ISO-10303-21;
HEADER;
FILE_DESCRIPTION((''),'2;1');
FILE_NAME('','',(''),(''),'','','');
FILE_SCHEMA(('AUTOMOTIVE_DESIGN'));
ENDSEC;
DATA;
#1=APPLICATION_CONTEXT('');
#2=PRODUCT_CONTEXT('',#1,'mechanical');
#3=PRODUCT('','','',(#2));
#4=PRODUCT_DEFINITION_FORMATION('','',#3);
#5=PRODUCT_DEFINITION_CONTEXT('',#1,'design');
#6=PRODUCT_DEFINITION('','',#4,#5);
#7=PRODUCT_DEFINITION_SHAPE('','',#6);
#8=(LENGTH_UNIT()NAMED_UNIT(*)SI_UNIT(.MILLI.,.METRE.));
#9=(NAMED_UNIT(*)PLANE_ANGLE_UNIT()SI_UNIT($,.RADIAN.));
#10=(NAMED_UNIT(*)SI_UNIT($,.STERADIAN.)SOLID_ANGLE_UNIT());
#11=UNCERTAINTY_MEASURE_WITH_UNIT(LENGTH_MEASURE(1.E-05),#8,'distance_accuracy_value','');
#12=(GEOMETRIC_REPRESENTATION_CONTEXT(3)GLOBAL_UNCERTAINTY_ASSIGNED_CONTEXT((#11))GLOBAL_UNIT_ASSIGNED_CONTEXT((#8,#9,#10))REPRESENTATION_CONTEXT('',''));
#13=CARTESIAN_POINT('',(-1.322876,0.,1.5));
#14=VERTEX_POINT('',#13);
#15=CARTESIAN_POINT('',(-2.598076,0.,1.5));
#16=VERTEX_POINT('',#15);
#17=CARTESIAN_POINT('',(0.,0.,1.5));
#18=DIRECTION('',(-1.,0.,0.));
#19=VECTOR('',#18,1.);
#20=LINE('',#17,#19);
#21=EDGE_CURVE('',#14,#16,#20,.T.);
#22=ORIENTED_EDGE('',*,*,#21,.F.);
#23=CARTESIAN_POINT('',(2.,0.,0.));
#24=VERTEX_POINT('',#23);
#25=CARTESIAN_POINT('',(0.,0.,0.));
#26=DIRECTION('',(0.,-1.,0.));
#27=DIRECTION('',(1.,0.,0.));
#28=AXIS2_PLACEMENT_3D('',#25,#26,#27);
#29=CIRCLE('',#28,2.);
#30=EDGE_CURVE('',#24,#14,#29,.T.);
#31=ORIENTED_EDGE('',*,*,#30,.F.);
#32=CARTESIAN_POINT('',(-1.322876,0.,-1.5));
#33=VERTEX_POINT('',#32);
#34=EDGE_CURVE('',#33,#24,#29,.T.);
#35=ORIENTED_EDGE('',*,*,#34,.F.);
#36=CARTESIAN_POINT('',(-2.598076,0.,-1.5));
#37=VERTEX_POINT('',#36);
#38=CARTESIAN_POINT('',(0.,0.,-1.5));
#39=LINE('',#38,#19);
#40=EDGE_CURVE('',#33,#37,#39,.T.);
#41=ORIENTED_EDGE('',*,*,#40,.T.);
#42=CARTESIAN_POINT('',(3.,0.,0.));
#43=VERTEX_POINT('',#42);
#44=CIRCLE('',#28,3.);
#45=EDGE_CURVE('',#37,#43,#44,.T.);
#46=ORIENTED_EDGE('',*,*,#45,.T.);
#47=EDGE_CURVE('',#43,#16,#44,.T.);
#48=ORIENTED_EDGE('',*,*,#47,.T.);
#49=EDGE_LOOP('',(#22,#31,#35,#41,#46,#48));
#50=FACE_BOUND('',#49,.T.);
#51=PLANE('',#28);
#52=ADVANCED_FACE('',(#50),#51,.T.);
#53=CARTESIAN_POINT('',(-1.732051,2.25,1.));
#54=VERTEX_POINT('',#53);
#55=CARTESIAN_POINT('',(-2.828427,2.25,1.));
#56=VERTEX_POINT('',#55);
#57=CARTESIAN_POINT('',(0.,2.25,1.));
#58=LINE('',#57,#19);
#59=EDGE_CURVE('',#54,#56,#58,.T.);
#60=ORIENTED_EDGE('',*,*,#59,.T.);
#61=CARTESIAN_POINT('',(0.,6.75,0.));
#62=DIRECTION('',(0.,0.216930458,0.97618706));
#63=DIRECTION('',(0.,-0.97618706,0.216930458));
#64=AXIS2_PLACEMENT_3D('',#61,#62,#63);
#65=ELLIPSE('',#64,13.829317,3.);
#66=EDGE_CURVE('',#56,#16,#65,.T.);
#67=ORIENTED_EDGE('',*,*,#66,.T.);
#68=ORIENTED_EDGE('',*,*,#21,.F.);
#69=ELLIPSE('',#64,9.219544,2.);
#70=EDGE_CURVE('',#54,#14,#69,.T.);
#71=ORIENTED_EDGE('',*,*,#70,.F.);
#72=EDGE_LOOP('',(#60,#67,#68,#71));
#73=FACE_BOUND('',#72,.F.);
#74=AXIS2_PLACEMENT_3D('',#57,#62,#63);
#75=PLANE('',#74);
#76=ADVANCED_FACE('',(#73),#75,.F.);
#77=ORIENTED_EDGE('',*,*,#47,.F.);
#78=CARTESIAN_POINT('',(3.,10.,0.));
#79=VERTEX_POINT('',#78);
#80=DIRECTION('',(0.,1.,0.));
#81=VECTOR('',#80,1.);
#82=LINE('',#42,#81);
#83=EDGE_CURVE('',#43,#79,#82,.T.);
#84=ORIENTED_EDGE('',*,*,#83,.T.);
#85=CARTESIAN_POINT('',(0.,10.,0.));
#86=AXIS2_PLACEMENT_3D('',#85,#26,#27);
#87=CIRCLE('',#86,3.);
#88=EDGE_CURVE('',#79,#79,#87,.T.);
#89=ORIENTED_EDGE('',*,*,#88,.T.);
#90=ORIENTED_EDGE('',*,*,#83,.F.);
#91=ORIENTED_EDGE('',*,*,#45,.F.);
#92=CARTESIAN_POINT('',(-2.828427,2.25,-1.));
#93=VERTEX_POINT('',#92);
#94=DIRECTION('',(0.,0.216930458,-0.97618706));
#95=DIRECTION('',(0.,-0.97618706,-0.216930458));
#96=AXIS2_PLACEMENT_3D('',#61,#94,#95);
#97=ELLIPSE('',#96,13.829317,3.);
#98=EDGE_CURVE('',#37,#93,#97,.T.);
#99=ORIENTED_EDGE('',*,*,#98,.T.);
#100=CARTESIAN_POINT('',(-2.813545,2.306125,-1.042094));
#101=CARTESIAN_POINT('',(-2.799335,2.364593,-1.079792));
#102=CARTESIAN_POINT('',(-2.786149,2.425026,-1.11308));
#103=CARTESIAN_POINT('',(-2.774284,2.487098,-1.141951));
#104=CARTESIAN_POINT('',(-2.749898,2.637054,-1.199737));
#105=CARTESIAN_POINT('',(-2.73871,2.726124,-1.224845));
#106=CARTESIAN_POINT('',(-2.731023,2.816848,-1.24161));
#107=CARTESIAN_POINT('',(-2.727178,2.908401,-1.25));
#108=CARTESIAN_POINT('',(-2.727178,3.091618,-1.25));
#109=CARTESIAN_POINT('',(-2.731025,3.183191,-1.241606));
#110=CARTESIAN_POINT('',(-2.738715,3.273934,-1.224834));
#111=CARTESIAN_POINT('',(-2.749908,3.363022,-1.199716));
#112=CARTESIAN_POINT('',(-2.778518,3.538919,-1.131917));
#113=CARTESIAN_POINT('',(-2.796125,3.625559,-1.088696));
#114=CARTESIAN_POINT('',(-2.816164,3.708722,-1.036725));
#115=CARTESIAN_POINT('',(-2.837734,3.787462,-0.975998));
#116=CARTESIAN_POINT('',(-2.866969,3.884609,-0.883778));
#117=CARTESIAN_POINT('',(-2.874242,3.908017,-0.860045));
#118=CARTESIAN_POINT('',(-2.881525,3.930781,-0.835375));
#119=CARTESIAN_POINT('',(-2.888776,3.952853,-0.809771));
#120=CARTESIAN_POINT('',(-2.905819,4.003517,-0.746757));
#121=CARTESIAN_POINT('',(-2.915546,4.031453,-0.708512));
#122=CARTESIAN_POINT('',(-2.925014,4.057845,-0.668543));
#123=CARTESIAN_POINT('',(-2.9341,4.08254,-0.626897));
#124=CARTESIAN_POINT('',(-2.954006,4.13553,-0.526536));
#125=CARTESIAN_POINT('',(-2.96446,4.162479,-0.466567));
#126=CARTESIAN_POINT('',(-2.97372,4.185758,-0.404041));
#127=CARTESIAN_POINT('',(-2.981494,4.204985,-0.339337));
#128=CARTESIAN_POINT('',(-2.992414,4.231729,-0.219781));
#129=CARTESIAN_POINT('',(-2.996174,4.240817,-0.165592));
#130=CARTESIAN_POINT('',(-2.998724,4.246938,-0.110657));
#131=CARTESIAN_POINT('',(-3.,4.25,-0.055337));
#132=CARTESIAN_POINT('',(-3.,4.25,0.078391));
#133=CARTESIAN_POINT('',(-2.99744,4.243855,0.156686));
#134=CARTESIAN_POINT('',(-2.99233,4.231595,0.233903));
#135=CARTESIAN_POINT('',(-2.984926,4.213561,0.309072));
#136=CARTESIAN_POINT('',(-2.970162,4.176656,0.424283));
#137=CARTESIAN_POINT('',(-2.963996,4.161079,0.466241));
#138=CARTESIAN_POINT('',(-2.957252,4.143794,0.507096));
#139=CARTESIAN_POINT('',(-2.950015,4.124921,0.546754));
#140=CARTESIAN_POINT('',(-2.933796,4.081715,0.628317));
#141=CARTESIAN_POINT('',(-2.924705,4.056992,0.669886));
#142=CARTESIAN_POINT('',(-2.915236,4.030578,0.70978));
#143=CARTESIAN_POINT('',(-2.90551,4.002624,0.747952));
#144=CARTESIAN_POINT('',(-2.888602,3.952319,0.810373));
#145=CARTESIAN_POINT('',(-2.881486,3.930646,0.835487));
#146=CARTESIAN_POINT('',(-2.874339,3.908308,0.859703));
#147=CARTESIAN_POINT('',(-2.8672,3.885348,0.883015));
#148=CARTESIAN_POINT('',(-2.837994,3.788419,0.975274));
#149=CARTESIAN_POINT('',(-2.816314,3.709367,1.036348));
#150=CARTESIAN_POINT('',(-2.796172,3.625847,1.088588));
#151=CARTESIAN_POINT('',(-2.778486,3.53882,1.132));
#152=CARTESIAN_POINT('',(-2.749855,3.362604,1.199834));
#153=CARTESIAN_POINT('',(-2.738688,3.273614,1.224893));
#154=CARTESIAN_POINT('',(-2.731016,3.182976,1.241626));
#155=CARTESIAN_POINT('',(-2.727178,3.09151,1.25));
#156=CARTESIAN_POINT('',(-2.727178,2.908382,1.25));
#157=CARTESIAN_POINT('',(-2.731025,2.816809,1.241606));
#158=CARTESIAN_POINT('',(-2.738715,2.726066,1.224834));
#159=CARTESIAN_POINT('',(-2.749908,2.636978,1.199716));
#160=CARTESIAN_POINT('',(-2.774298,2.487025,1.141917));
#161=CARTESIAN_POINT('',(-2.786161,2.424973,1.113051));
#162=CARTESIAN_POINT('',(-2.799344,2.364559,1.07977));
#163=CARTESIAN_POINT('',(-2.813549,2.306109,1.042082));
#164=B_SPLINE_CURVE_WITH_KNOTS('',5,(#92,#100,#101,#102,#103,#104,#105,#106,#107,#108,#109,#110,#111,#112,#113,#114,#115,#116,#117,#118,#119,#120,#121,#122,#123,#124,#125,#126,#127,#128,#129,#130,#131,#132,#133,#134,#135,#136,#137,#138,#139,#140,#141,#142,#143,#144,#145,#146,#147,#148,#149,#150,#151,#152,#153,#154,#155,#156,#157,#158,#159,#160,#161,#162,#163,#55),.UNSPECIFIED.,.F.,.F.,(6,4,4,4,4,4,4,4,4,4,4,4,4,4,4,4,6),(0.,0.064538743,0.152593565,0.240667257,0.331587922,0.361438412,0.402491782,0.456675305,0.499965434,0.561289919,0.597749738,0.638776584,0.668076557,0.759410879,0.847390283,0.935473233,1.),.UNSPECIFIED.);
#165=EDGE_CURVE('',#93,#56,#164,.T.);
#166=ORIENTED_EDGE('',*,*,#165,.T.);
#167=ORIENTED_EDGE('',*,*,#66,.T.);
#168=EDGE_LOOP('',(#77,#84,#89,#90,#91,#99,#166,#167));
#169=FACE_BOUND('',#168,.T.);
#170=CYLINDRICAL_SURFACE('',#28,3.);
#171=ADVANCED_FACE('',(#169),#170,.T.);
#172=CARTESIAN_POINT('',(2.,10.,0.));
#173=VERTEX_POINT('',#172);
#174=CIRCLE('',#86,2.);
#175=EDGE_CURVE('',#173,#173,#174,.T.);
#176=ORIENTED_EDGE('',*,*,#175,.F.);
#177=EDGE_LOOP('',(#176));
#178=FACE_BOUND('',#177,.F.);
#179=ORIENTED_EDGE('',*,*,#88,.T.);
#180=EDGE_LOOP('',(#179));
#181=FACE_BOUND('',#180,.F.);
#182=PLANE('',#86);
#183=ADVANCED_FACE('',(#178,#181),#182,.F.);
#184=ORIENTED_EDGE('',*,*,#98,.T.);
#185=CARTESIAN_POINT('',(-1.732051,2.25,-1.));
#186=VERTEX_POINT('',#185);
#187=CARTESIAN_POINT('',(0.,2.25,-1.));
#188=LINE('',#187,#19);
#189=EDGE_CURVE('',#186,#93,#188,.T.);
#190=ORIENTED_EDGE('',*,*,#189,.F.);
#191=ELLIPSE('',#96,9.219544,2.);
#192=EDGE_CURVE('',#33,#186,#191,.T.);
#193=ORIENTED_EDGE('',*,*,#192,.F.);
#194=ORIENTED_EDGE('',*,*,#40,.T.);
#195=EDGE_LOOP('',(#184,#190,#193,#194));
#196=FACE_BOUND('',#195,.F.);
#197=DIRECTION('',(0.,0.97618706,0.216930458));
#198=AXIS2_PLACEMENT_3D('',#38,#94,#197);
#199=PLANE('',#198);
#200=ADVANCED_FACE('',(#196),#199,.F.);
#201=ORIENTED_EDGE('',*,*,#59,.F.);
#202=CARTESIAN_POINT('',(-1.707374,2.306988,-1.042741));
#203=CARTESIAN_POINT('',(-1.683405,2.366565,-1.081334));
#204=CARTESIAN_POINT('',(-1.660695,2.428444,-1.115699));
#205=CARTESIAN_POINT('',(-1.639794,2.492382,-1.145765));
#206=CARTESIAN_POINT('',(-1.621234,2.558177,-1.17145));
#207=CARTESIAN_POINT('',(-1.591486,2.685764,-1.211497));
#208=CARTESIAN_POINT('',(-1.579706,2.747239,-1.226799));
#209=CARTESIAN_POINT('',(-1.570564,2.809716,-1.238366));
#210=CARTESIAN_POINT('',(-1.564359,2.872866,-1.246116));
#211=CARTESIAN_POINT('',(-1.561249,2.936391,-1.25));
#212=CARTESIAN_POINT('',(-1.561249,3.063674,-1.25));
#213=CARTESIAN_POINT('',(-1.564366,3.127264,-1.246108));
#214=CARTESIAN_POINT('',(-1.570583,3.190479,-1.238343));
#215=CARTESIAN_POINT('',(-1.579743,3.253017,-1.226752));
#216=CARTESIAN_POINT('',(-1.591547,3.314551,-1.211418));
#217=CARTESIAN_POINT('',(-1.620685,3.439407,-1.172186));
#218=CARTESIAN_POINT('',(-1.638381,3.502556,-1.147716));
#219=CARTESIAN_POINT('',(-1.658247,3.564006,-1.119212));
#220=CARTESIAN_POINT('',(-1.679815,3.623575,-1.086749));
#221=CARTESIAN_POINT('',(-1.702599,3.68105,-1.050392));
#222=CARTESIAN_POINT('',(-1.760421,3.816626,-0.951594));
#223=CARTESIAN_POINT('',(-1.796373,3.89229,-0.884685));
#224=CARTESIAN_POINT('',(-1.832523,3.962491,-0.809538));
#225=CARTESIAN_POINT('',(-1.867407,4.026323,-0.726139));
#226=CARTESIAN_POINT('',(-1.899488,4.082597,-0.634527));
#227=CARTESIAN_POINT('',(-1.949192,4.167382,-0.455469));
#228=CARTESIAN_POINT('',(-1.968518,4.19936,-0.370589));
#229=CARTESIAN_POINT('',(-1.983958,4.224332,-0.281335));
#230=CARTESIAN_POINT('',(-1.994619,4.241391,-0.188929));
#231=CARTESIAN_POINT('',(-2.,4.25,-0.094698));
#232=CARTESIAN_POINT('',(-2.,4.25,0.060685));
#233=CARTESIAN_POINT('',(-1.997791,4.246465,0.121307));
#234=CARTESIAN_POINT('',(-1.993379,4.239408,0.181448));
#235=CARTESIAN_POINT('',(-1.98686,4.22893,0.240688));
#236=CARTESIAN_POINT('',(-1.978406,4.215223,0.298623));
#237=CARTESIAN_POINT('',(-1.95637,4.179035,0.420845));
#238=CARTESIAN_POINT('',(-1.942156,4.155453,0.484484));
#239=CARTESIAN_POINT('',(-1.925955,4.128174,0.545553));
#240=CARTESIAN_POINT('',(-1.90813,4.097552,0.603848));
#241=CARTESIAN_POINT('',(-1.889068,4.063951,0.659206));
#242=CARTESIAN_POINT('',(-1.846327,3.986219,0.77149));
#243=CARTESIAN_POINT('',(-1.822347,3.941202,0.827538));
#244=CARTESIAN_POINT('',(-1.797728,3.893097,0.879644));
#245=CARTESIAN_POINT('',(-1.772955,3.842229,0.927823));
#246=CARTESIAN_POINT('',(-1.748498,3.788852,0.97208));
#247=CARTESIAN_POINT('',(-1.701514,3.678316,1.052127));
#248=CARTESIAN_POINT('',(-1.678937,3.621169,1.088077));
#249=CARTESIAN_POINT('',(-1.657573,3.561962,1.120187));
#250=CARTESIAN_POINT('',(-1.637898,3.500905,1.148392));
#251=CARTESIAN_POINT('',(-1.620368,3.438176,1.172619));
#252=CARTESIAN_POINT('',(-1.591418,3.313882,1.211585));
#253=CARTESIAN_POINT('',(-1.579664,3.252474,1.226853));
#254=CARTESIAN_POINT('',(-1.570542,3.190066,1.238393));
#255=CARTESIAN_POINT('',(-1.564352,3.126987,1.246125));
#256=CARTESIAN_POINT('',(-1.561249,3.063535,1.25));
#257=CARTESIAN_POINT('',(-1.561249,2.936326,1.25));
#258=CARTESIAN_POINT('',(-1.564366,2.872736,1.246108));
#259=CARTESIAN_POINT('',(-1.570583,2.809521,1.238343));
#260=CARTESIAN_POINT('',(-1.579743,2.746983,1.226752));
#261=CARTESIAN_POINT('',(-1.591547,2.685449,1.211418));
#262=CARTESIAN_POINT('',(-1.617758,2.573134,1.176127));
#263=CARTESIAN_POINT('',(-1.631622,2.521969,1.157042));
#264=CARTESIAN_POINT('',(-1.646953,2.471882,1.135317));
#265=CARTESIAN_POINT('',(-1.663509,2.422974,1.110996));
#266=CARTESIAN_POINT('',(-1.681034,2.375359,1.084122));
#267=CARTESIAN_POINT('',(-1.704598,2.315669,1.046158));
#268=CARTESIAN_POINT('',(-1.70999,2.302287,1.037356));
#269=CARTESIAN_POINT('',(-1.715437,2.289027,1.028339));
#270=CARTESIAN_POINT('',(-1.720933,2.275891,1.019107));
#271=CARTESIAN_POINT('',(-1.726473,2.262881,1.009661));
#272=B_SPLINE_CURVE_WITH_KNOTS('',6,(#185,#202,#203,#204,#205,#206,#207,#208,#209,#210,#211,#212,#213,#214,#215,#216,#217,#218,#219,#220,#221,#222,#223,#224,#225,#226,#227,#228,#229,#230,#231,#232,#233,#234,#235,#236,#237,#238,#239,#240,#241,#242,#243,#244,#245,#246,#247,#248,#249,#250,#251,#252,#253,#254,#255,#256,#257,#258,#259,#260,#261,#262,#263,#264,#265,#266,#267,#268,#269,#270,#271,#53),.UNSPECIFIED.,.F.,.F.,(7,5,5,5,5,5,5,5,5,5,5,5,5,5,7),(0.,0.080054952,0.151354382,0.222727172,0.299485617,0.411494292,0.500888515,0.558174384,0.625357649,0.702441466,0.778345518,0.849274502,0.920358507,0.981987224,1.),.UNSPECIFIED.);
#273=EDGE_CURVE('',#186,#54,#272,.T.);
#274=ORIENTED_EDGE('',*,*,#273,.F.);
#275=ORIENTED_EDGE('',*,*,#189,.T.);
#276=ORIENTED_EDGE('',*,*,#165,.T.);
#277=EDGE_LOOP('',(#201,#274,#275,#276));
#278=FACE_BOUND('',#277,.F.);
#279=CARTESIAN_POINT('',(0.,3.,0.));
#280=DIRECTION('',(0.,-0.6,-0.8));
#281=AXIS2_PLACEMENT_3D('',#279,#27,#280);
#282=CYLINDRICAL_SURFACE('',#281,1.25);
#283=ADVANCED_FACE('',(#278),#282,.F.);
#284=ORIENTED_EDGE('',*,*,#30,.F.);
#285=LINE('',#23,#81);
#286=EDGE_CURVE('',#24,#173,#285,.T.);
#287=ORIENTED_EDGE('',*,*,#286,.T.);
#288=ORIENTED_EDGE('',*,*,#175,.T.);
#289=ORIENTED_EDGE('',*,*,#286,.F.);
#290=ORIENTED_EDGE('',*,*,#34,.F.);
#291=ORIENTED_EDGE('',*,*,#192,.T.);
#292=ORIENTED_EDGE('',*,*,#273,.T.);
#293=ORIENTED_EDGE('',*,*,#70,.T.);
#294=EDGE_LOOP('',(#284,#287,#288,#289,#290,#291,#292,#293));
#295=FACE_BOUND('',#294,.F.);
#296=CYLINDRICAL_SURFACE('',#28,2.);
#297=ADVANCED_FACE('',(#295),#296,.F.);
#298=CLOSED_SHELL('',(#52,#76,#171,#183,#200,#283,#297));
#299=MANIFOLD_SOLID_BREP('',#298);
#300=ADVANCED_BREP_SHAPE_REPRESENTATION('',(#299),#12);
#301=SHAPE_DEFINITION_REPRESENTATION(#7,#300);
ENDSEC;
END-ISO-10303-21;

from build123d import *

# Parameters (mm, degrees)
F0_R     = 3
F1_DEPTH = 10
F3_DEPTH = 25
F4_R     = 2
F5_DEPTH = 25


with BuildPart() as f1:
    # F0 (on Front) → F1 (new body)
    with BuildSketch(Plane.XZ):
        Circle(F0_R)
    extrude(amount=-F1_DEPTH)

    # F2 (on Right) → F3 (cut)
    with BuildSketch(Plane.YZ):
        with BuildLine():
            Line((0, 1.5), (0, 0))
            Line((0, 0), (0, -1.5))
            Line((0, -1.5), (2.25, -1))
            ThreePointArc((2.25, -1), (4.25, 0), (2.25, 1))
            Line((2.25, 1), (0, 1.5))
        make_face()
    extrude(amount=-F3_DEPTH, mode=Mode.SUBTRACT)

    # F4 (on Front) → F5 (cut)
    with BuildSketch(Plane.XZ):
        Circle(F4_R)
    extrude(amount=-F5_DEPTH, mode=Mode.SUBTRACT)


solid = f1.part
